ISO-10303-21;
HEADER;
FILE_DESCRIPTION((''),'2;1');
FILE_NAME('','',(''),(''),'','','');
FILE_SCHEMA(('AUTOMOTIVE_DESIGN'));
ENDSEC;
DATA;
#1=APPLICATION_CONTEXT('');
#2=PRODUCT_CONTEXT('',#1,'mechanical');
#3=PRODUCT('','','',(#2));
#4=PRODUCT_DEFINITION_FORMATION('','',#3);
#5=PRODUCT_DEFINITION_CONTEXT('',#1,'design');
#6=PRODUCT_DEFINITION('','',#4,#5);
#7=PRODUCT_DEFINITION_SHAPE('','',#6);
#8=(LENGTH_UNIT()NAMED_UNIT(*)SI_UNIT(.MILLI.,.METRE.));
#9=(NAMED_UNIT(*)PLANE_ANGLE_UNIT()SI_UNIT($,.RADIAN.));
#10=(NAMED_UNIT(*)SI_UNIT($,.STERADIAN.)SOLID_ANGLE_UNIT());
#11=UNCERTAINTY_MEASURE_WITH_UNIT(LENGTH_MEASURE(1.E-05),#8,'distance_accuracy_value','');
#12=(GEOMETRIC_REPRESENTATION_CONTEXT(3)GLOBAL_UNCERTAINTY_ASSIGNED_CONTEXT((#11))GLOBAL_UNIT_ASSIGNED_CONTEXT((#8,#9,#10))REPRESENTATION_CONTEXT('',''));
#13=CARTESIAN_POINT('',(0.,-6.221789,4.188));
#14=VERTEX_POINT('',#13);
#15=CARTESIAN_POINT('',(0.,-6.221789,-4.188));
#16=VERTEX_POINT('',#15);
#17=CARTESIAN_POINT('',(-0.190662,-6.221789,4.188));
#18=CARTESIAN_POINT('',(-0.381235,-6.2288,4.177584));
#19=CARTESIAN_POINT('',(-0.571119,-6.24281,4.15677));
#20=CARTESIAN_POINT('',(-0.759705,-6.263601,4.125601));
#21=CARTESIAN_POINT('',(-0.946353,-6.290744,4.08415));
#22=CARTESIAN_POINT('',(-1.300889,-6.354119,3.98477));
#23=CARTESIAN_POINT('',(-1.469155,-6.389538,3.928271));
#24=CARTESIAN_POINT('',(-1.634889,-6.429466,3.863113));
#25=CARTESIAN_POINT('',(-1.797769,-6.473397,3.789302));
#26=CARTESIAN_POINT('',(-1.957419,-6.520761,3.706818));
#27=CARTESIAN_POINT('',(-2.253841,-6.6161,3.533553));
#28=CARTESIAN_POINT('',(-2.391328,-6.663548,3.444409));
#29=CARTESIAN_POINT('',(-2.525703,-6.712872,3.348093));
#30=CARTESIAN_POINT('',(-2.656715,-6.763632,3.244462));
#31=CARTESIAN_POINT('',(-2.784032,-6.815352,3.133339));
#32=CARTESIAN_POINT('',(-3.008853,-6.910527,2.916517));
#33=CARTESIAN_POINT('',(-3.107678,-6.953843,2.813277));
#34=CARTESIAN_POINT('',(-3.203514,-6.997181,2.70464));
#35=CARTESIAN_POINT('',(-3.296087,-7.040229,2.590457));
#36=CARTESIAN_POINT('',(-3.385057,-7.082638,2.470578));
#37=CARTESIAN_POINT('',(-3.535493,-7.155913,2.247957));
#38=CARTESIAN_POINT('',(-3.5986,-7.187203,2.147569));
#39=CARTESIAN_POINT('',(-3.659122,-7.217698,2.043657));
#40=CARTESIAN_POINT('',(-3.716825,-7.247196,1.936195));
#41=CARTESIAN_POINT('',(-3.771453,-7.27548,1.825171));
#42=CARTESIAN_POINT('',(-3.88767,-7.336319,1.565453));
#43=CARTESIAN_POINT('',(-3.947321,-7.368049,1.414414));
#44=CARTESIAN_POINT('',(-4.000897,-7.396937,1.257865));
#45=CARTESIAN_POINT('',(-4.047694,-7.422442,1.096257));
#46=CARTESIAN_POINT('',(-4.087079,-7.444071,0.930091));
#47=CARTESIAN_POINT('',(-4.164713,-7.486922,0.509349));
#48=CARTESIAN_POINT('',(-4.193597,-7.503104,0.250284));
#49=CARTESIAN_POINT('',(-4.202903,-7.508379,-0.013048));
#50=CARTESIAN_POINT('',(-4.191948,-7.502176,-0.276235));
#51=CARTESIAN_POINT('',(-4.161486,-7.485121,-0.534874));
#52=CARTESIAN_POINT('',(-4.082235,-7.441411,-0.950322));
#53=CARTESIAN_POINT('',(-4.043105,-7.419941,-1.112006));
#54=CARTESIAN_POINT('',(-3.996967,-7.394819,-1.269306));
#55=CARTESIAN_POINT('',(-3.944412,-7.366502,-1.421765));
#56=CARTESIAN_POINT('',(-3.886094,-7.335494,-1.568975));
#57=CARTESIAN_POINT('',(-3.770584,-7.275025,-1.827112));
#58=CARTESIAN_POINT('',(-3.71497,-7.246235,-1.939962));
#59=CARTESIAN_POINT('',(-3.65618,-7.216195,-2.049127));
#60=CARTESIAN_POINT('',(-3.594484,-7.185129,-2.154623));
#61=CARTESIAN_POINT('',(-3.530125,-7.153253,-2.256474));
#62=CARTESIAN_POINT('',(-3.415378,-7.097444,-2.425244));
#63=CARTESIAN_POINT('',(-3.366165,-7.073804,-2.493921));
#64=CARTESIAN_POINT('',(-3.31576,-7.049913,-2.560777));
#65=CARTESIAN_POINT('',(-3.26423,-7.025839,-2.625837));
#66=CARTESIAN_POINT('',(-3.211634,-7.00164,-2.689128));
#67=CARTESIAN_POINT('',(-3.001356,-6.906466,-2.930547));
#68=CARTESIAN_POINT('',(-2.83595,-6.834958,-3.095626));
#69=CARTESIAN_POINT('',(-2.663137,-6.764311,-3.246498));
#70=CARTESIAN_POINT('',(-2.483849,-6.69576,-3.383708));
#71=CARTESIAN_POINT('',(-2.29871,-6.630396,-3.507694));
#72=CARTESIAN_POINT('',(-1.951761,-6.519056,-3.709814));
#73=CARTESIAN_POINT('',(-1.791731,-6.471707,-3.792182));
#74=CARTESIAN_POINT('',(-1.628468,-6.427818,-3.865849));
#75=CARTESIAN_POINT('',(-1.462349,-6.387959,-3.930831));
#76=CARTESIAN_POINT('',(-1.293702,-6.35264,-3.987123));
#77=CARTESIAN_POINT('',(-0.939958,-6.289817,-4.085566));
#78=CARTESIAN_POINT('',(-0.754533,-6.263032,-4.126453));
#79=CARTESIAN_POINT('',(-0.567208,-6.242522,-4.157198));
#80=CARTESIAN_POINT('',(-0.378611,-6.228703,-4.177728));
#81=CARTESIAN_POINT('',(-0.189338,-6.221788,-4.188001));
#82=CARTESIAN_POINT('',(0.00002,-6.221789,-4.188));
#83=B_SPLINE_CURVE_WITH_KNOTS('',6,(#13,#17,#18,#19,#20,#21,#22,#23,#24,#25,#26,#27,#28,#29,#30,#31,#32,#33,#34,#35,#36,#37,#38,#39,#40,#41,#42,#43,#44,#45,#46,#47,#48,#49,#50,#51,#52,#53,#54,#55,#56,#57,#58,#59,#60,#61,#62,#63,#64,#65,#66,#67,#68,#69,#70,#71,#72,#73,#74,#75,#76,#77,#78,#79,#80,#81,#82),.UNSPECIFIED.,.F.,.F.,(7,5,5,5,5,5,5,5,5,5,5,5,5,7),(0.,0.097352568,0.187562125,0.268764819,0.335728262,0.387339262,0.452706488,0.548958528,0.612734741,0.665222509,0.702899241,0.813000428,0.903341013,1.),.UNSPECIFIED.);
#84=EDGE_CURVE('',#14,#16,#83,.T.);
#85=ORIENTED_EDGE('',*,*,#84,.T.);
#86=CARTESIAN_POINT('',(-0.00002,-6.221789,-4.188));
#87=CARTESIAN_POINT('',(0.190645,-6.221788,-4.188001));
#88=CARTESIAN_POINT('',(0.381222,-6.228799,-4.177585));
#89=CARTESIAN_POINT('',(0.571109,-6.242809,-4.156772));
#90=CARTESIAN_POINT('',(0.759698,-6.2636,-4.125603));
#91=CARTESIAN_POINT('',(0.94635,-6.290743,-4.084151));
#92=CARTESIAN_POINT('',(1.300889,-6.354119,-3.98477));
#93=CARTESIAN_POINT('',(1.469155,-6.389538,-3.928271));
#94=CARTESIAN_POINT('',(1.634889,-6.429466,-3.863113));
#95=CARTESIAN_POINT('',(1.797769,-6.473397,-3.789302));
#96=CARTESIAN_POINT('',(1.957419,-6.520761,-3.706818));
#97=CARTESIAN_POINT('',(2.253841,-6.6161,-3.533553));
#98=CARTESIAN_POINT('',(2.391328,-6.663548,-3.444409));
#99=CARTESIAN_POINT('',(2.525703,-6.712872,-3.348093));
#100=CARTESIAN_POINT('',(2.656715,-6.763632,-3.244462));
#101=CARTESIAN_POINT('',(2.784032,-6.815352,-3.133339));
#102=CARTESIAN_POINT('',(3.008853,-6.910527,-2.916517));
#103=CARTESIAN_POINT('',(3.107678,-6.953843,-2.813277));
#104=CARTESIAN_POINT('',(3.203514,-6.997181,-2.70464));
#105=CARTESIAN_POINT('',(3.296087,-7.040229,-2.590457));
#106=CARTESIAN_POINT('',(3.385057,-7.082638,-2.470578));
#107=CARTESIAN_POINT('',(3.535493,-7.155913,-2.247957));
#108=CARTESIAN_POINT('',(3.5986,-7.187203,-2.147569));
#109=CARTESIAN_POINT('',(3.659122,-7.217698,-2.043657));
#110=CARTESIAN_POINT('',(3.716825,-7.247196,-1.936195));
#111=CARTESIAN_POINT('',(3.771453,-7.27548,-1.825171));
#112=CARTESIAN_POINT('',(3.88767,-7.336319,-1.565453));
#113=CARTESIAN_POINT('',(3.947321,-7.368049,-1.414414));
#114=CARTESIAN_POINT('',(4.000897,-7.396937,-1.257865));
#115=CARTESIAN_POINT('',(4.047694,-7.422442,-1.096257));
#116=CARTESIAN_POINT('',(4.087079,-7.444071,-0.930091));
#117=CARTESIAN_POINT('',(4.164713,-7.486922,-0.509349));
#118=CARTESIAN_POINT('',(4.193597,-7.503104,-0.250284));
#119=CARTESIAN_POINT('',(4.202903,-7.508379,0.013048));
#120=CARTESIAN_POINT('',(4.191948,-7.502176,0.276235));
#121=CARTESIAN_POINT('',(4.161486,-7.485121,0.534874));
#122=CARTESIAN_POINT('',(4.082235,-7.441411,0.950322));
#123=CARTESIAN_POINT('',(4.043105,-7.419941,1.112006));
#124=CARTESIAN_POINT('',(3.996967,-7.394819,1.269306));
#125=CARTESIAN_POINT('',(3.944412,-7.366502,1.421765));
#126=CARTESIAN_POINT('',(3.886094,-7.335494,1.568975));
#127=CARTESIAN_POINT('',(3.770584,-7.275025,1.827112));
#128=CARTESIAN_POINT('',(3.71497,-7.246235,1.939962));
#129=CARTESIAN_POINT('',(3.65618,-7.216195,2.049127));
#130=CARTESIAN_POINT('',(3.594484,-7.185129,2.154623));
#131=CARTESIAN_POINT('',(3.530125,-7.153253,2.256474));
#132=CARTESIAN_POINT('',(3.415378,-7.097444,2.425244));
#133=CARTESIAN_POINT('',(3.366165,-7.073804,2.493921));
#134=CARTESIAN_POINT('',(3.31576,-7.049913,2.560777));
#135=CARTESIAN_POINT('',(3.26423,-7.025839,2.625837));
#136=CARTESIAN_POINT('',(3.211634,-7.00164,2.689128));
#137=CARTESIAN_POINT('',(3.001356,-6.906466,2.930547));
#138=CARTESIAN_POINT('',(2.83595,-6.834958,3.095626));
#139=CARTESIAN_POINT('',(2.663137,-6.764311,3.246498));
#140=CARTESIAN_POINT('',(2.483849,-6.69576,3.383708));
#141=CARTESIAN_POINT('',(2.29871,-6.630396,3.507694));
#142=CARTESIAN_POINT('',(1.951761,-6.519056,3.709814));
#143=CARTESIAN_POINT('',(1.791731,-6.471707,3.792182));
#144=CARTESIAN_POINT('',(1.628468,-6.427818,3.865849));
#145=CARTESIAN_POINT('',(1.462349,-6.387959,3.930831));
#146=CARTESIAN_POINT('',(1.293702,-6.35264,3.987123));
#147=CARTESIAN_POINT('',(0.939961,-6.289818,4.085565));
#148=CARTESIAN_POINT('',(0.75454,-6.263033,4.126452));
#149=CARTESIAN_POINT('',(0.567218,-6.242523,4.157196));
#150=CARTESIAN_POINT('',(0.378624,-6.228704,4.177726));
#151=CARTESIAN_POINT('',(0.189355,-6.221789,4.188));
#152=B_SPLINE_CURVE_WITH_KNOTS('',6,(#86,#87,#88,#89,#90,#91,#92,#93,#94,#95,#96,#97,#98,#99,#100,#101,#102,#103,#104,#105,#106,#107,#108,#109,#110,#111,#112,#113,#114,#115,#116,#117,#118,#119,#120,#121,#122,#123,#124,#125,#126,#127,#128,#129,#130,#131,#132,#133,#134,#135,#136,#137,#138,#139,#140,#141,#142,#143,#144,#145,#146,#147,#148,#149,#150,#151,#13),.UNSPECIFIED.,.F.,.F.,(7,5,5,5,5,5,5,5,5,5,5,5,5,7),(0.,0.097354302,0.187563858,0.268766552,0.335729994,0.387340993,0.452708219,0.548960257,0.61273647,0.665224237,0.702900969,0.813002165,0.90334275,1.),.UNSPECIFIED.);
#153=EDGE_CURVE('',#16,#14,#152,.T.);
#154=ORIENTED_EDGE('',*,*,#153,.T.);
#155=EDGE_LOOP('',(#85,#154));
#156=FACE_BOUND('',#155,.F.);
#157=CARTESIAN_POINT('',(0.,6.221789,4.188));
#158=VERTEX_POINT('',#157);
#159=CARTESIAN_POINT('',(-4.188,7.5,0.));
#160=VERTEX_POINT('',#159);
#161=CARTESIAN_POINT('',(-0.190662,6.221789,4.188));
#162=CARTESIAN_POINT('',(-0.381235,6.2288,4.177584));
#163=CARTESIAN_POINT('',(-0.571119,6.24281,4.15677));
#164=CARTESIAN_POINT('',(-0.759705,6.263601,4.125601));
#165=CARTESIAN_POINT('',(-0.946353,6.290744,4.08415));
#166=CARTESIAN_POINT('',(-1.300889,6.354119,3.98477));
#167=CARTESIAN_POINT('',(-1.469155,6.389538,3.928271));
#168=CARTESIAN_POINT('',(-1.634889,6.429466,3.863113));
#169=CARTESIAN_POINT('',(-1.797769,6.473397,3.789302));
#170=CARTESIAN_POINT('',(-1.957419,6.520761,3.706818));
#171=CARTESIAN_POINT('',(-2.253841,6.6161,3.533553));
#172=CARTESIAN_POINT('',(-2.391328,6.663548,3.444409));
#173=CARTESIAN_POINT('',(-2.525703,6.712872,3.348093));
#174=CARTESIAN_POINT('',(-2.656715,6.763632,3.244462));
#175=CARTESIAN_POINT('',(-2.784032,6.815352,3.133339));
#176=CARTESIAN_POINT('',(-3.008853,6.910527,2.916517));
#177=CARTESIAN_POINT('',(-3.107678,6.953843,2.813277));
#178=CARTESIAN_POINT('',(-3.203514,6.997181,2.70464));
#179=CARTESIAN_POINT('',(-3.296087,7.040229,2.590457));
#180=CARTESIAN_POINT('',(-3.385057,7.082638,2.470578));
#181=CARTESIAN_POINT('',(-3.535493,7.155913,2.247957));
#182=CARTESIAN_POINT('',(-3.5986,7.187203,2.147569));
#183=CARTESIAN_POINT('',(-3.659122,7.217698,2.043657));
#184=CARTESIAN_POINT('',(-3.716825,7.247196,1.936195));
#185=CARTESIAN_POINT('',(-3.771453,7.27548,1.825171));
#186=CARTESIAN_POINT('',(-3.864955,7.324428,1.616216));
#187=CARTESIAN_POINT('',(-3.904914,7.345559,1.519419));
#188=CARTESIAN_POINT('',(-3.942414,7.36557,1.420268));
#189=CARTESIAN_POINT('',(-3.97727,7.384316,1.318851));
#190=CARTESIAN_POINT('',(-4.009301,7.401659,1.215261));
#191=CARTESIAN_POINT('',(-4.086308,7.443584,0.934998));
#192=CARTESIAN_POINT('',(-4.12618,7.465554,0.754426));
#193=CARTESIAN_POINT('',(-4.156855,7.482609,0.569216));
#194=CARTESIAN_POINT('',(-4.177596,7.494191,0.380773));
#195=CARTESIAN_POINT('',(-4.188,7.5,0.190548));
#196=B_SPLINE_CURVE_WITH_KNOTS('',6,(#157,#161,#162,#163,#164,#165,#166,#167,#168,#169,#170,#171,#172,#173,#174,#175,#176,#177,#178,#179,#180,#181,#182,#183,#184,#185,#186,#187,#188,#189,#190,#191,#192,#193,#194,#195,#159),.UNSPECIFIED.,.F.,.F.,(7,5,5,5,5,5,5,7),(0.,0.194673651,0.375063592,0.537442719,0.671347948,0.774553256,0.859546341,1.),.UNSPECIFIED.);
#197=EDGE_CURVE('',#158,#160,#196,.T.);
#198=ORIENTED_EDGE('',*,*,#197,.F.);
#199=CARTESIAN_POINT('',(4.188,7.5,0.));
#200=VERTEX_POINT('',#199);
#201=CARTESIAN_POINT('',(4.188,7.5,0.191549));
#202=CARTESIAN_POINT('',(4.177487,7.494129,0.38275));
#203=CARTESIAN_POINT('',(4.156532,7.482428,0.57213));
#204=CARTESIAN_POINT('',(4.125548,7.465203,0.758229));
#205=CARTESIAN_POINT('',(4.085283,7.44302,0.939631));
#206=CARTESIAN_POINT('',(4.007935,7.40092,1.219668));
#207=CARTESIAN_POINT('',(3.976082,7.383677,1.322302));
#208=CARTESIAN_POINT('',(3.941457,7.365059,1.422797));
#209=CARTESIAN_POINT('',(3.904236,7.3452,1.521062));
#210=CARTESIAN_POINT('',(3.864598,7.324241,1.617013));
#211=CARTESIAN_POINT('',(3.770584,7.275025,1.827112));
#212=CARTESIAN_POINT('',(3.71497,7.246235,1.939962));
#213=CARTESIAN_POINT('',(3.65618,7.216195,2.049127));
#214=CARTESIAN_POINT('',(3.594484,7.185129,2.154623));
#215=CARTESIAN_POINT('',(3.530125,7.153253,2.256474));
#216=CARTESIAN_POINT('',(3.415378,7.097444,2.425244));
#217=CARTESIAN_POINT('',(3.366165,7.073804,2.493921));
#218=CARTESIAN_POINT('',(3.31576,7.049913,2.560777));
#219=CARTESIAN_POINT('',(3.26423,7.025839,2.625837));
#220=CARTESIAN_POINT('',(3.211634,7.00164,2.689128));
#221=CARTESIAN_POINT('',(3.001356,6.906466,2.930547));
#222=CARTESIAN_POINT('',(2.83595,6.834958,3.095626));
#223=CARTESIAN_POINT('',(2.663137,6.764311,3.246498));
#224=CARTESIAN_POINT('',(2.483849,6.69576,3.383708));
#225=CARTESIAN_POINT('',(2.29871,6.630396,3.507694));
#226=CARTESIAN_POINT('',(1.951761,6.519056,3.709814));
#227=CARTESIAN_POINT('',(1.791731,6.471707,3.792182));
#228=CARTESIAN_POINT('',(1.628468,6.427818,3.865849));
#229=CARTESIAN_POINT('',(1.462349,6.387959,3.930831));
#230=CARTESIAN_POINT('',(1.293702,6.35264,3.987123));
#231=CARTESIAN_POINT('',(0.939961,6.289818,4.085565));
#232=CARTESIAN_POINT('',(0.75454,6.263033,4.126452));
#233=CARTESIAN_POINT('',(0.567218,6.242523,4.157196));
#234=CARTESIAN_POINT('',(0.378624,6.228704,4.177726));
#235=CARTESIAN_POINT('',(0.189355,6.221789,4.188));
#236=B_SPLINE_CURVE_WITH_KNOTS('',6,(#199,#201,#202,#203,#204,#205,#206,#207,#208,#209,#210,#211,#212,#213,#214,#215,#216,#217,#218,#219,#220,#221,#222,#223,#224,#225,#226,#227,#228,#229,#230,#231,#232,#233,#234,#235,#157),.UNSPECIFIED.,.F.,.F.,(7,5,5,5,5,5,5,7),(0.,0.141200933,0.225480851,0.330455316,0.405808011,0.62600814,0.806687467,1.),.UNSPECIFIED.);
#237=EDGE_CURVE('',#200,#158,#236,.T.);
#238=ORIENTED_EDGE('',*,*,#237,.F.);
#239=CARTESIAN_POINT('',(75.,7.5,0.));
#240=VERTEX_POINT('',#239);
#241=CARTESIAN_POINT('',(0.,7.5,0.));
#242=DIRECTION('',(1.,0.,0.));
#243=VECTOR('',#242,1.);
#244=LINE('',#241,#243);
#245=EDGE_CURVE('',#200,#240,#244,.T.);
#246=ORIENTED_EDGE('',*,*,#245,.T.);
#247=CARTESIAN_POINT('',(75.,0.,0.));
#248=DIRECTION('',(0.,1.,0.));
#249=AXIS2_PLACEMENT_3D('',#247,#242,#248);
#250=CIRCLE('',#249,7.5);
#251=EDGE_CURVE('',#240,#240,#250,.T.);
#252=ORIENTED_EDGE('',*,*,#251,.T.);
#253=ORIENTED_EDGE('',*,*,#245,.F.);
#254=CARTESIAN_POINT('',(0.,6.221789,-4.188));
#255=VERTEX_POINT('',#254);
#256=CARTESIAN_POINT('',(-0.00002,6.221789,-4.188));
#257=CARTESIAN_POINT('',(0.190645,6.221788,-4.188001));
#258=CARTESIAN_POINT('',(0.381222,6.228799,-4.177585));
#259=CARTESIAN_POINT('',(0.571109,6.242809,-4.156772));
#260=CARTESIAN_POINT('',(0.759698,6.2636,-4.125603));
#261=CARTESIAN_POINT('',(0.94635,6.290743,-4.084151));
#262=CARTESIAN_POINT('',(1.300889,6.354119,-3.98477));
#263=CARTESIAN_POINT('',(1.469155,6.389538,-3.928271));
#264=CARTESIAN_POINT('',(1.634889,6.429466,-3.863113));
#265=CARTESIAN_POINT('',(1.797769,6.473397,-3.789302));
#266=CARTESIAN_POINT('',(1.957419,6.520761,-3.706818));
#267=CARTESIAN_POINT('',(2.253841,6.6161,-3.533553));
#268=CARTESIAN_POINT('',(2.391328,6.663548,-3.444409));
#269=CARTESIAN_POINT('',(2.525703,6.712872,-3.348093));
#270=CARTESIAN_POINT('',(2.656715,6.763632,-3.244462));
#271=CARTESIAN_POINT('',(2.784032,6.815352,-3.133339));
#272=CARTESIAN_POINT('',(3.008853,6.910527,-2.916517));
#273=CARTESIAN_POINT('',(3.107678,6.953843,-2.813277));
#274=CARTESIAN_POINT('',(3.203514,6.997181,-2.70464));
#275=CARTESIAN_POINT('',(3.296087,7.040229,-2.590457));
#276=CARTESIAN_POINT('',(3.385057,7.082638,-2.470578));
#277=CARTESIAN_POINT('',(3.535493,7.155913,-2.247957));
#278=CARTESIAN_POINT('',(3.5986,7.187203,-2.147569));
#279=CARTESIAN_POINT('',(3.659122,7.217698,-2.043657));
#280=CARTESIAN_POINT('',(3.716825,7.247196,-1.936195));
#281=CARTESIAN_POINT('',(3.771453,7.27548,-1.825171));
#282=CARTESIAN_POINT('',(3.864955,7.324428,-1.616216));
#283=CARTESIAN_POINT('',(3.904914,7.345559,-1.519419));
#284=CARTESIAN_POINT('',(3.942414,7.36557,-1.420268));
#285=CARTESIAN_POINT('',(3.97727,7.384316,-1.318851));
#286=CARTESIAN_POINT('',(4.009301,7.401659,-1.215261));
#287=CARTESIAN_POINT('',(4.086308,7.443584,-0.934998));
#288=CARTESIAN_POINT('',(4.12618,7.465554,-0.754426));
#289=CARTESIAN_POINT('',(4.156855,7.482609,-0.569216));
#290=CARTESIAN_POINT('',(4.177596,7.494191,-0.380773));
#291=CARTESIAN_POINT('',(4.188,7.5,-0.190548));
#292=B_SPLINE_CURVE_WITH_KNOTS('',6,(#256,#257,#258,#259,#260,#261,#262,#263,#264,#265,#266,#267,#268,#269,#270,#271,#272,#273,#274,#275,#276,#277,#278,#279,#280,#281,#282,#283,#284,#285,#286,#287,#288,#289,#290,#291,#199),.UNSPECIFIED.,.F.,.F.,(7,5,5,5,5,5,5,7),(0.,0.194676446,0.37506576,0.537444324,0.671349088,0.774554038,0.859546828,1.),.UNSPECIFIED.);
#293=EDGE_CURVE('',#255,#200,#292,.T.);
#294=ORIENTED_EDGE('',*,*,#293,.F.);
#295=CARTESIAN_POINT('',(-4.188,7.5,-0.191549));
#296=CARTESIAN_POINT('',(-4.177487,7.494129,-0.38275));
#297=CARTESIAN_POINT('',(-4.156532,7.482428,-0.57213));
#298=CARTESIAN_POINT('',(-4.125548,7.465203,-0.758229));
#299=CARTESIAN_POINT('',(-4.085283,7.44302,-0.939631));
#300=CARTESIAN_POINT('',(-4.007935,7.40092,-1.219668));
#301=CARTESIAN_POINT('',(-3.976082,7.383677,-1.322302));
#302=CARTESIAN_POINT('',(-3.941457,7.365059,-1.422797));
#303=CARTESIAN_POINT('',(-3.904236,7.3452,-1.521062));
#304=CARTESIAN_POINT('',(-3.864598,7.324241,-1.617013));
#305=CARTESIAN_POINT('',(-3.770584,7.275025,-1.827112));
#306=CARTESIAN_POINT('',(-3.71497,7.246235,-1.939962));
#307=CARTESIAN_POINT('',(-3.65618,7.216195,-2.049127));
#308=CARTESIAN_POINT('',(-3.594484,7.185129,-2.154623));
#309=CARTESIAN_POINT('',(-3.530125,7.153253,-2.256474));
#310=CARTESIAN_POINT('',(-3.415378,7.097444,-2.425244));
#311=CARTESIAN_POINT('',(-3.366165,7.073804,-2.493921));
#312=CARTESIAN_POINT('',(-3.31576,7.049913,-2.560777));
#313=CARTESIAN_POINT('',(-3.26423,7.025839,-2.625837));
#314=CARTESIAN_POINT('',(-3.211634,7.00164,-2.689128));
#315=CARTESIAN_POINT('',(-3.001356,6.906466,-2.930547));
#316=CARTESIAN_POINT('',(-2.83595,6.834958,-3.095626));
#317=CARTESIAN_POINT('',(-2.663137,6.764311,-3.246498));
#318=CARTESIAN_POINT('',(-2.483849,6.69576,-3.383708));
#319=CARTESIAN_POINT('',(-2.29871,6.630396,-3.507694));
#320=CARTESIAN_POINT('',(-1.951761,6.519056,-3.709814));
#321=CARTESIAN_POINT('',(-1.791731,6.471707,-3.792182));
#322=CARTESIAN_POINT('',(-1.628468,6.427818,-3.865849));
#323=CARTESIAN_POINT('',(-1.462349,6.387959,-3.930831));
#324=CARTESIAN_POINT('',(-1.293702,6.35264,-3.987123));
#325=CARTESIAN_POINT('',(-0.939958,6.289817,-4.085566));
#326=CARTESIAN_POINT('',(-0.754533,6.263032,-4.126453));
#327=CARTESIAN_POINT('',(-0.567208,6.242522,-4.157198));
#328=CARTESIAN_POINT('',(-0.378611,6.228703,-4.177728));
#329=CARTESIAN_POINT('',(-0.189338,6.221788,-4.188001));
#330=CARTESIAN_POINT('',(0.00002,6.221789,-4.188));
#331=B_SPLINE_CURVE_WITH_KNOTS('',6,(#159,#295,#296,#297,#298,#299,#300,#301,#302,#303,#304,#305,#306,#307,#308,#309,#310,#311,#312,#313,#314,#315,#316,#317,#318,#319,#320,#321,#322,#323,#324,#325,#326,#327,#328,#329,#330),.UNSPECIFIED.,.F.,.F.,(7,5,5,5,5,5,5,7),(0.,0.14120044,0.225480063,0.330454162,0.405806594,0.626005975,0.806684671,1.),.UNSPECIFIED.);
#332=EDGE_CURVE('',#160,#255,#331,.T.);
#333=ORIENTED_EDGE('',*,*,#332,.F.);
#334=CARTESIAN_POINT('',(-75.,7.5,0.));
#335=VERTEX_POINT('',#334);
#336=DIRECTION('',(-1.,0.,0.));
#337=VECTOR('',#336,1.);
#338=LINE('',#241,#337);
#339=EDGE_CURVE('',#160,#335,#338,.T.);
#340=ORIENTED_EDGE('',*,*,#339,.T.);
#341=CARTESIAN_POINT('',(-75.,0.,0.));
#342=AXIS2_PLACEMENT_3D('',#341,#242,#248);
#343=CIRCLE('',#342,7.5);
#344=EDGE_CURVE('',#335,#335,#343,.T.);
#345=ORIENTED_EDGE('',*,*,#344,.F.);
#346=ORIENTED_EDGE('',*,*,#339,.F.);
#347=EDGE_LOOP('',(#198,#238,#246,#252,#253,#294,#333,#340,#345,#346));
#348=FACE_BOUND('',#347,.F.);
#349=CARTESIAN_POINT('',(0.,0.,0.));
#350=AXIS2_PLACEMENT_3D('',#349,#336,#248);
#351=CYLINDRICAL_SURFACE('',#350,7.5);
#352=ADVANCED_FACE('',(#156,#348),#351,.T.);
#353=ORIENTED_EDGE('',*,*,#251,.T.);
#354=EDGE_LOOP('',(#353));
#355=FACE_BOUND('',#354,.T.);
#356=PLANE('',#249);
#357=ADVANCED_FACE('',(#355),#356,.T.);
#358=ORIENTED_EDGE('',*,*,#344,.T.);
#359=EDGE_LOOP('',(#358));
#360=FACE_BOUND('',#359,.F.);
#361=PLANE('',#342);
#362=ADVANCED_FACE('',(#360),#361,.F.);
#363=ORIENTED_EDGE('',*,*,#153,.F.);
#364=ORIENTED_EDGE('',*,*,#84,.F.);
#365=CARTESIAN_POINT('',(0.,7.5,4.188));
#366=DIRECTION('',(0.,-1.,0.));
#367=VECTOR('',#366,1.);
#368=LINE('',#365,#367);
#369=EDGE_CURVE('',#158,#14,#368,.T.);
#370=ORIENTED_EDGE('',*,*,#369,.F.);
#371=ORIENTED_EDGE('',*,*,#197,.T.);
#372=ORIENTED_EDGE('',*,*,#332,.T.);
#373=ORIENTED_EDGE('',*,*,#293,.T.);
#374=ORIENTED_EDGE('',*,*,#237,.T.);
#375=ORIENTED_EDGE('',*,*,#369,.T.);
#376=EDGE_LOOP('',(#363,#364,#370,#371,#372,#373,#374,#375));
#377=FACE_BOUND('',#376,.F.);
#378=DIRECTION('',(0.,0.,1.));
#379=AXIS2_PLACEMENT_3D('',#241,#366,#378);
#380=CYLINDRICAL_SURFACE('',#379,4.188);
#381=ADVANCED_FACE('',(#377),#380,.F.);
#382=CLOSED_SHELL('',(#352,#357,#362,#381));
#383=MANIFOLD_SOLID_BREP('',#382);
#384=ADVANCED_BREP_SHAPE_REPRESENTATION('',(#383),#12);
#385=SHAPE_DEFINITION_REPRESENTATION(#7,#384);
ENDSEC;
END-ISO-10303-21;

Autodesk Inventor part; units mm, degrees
ref_plane "YZ Plane" through (0, 0, 0) normal (1, 0, 0) x (0, 1, 0)
ref_plane "XY Plane" through (0, 0, 0) normal (0, 0, 1) x (1, 0, 0)
sketch "Sketch3" plane through (0, 0, 0) normal (1, 0, 0) x (0, 1, 0)
  circle A0 centre (0, 0) radius 7.5
  dimension "d6" = 15
extrude "Extrusion3" add sketch "Sketch3" along normal mid plane 150
ref_plane "Work Plane1" through (0, 7.5, 0) normal (0, 1, 0) x (-1, 0, 0)
sketch "Sketch6" plane through (0, 7.5, 0) normal (0, 1, 0) x (-1, 0, 0)
  point P0 (0, 0)
  point P1 (0, 0)
hole "Hole1" at (0, 7.5, 0) direction (0, -1, 0) diameter 8.376 depth 27.3 tip angle 118 thread size "M10x1.5" class "6H" standard "ISO Metric profile"
properties part number "Axial Middle"
